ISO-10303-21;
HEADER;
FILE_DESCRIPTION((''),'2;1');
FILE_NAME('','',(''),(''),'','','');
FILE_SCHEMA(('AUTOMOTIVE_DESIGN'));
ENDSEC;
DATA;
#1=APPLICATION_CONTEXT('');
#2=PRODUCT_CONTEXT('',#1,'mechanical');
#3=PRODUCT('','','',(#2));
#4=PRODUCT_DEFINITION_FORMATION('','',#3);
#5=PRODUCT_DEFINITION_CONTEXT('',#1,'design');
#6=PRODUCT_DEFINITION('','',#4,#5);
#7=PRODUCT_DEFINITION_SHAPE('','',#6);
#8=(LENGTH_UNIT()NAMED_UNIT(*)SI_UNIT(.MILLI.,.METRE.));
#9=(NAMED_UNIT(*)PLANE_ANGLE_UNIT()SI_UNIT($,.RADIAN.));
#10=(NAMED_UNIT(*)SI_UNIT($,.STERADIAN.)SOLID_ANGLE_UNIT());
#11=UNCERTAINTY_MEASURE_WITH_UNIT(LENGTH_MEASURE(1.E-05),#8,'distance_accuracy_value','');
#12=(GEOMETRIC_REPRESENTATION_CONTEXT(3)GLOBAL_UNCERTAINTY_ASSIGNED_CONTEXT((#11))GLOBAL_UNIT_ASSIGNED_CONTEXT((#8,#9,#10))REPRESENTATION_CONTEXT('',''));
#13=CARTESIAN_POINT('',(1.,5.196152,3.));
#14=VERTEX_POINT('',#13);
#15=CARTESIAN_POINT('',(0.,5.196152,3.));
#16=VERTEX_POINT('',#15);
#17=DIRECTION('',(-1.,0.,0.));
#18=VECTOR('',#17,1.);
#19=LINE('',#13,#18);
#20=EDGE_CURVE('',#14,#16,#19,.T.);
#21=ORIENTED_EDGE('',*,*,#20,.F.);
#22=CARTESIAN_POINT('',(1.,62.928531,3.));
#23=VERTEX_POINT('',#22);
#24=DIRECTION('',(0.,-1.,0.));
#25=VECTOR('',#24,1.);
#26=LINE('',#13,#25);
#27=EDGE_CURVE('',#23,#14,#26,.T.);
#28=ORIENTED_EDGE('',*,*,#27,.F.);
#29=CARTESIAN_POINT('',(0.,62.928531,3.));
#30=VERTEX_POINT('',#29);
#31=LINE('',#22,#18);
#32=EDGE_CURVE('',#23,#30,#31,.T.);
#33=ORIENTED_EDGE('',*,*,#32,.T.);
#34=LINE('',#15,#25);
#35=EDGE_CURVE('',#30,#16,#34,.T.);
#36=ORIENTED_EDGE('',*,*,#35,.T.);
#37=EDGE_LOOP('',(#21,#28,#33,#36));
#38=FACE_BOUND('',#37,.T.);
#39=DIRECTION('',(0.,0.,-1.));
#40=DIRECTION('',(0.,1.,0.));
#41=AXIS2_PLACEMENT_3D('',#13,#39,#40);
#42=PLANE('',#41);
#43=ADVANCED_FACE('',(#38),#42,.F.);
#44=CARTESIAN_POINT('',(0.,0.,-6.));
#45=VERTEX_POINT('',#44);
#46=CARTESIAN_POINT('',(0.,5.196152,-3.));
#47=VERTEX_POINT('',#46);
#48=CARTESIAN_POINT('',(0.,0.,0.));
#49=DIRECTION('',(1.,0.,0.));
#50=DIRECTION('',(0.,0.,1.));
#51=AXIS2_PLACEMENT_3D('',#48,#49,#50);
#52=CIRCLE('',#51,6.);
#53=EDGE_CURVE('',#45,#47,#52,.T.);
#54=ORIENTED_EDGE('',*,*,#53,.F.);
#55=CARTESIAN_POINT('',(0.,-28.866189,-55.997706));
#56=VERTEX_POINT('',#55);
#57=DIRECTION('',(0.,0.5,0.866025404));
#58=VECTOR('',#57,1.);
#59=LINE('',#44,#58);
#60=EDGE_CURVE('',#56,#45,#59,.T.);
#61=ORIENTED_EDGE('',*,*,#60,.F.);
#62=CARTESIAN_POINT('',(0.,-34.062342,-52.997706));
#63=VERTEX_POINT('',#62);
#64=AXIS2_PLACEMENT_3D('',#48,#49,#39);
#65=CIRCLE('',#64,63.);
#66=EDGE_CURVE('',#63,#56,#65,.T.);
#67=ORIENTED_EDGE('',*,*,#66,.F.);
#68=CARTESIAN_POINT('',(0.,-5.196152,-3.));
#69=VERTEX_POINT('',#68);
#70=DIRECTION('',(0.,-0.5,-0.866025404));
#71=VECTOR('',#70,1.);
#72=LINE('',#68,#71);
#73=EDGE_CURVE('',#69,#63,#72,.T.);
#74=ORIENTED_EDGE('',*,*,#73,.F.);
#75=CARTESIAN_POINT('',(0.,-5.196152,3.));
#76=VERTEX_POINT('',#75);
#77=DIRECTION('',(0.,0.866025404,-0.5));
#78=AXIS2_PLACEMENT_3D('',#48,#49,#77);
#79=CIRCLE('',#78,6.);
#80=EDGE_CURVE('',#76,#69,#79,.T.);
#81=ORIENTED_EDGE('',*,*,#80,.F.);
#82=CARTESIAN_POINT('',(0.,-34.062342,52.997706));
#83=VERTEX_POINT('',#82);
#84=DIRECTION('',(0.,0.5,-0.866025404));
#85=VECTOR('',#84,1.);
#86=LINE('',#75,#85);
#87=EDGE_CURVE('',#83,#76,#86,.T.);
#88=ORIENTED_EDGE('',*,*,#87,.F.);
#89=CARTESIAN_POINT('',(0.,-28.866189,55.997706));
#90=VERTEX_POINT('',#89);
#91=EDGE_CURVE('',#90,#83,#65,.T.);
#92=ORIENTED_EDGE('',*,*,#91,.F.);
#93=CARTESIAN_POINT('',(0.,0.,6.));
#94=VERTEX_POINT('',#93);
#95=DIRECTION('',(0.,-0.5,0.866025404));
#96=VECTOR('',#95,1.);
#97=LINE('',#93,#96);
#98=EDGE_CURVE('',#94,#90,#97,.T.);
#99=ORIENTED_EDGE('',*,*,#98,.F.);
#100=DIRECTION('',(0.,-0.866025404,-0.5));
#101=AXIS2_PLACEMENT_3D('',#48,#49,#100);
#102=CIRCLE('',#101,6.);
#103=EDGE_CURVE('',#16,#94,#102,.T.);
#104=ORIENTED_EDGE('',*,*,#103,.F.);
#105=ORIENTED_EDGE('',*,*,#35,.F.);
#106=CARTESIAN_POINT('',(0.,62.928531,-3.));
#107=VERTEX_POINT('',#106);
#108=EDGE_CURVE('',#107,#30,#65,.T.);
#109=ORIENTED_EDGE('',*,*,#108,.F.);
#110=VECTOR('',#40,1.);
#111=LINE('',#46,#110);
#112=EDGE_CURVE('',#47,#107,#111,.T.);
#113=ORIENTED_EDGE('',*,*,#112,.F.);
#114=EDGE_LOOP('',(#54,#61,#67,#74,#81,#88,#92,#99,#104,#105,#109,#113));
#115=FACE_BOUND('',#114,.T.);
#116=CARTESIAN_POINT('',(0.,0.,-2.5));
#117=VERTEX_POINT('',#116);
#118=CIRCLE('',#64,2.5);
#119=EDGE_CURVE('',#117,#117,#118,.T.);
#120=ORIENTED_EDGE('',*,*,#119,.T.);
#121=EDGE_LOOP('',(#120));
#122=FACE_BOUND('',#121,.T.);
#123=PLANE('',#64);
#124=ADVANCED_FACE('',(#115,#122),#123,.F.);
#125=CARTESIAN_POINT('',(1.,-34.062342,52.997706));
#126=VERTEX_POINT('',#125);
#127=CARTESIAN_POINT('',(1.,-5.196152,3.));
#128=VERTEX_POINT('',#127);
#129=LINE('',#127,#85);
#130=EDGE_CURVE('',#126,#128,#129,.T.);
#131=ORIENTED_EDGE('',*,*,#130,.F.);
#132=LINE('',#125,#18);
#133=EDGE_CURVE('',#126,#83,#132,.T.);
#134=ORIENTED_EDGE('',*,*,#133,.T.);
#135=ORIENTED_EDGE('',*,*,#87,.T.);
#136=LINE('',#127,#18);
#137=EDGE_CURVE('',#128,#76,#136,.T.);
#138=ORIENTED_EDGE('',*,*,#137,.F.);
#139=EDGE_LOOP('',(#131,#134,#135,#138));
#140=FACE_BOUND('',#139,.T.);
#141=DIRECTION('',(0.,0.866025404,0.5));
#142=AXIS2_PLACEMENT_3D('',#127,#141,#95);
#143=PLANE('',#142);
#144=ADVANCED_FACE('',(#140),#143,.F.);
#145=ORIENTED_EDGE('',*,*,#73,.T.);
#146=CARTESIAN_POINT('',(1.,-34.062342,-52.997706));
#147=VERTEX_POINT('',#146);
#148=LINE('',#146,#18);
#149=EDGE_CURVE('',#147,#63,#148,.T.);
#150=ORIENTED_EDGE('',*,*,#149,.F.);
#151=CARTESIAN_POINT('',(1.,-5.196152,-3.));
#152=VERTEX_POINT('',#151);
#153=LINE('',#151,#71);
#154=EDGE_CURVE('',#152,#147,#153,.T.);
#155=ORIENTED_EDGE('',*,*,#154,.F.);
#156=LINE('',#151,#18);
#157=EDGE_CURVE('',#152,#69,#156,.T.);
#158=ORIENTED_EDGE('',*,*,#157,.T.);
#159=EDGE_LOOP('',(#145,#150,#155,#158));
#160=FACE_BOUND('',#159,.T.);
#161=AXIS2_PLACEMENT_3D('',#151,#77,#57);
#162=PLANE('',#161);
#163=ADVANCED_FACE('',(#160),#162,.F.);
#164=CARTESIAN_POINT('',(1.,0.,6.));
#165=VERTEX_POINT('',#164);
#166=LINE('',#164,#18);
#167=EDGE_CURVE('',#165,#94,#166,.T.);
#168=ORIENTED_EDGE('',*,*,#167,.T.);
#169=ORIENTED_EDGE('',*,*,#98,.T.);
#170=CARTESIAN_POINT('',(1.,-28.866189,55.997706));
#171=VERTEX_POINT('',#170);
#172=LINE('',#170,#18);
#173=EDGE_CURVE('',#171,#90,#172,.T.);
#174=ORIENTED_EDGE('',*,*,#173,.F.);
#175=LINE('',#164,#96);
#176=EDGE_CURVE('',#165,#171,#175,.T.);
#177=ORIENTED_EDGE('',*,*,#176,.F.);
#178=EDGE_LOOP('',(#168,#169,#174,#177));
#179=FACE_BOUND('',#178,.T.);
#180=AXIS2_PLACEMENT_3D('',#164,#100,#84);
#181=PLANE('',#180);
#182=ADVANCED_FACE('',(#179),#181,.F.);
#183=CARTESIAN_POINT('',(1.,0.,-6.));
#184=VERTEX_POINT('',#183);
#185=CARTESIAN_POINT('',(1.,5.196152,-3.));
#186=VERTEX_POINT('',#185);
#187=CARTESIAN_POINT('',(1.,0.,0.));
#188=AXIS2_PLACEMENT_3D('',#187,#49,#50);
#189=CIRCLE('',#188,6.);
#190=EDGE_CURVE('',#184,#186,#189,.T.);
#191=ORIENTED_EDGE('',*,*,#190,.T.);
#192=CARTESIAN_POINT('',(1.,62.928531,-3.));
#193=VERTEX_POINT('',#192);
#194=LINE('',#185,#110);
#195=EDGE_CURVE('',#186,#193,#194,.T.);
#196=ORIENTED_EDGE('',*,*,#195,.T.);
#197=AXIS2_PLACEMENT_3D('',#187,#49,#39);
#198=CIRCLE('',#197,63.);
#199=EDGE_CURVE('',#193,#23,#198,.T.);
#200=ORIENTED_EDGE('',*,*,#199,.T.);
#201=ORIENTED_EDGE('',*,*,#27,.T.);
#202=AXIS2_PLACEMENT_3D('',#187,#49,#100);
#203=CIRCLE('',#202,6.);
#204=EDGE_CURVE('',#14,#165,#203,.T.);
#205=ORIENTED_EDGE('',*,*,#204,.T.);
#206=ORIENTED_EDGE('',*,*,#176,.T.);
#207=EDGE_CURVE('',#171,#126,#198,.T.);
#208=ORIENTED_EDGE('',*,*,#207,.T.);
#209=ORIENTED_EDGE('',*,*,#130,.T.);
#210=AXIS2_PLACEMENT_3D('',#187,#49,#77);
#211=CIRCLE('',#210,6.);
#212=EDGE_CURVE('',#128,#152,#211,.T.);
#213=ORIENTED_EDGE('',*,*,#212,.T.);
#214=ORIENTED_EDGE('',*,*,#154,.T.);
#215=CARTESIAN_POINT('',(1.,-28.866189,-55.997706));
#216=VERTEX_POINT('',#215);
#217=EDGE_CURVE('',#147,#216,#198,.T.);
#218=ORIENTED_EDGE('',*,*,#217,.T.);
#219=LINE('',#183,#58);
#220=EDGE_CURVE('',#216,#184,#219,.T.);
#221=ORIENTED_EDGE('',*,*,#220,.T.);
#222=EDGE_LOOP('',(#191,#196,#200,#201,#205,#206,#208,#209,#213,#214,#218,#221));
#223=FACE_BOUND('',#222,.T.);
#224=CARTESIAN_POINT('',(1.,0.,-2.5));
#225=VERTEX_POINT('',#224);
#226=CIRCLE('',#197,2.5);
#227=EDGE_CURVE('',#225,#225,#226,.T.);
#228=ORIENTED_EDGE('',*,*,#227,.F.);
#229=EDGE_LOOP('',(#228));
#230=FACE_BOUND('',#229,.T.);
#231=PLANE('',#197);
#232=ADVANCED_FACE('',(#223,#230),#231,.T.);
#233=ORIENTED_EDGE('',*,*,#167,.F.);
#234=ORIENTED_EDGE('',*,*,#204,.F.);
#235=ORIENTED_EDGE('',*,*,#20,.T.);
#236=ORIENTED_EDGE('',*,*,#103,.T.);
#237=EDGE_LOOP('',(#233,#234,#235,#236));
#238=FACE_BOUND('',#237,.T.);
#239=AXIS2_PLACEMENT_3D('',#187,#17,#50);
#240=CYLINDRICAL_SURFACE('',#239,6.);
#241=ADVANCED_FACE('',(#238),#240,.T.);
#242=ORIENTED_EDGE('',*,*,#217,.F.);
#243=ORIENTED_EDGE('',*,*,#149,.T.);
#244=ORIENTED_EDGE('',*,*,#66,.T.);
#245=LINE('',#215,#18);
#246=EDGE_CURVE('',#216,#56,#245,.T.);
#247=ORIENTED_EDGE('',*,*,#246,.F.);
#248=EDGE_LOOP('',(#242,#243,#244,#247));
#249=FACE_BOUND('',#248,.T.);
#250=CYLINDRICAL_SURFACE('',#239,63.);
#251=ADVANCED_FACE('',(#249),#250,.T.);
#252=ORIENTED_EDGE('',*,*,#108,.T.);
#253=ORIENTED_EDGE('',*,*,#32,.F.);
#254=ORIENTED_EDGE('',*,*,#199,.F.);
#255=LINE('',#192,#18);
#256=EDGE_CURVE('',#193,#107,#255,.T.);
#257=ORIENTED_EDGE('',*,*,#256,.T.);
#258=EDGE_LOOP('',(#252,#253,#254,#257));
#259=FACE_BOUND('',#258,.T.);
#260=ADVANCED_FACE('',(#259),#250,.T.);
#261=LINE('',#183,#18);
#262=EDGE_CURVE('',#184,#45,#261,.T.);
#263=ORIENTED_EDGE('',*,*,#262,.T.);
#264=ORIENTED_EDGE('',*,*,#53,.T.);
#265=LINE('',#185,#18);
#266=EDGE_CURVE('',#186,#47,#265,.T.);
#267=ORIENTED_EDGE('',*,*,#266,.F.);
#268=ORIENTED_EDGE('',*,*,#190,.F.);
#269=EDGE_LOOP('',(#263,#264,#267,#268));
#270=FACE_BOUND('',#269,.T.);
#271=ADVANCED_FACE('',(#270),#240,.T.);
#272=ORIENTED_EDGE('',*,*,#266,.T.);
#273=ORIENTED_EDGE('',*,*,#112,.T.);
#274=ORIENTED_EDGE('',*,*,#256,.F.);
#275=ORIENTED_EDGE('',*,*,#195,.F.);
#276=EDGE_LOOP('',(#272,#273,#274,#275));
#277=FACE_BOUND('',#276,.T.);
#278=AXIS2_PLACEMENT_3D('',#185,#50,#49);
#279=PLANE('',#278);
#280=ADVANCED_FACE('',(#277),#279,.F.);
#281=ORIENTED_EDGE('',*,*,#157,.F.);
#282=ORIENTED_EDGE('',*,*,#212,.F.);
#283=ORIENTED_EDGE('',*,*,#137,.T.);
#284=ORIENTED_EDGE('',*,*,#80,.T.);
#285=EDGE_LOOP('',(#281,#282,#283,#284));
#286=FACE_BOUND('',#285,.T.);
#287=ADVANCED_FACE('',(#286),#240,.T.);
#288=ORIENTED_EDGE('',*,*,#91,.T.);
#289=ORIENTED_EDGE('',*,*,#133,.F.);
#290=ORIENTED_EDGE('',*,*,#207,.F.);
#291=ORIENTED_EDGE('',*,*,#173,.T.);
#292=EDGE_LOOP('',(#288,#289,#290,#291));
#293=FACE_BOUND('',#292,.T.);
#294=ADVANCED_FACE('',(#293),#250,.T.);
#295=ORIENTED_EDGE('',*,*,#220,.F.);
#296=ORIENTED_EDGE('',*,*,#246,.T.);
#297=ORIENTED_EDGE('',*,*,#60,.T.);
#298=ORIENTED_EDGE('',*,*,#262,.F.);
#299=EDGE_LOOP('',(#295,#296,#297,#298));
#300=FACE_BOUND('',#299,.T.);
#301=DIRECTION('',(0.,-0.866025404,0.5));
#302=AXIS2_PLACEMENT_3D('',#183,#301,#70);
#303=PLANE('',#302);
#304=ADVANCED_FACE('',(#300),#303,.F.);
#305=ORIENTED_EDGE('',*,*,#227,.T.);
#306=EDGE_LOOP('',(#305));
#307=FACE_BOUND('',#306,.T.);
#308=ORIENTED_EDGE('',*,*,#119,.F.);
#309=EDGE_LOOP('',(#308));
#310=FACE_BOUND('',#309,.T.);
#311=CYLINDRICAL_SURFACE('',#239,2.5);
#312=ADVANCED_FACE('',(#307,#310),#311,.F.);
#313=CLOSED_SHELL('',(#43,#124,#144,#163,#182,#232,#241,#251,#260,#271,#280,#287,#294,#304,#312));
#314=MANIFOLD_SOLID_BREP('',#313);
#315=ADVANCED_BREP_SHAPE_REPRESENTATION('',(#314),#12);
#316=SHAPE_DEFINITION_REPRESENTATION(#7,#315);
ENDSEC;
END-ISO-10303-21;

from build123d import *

# Parameters (mm, degrees)
SKETCH_1_R               = 63
SKETCH_1_R_2             = 2.5
EXTRUDE_1_DEPTH          = 1
CUT_EXTRUDE_1_DEPTH      = 1
PATTERN_CIRCULAR_1_COUNT = 3


with BuildPart() as part:
    # 草图1 → 凸台-拉伸1 (new body)
    with BuildSketch(Plane(origin=(0, 0, 0), x_dir=(0, 0, -1), z_dir=(1, 0, 0))):
        Circle(SKETCH_1_R)
        Circle(SKETCH_1_R_2, mode=Mode.SUBTRACT)
    extrude(amount=EXTRUDE_1_DEPTH)

    # 草图2 → 切除-拉伸1 (cut)
    with BuildSketch(Plane.ZY):
        with BuildLine():
            Line((-3, 5.196152423), (-3, 62.92853089))
            ThreePointArc((-3, 62.92853089), (-54.559600438, 31.5), (-55.997706374, -28.866189234))
            Line((-55.997706374, -28.866189234), (-6, 0))
            ThreePointArc((-6, 0), (-5.196152423, 3), (-3, 5.196152423))
        make_face()
    cut_extrude_1 = extrude(amount=-CUT_EXTRUDE_1_DEPTH, mode=Mode.SUBTRACT)

    # 阵列(圆周)1: 切除-拉伸1 ×3 about axis
    pattern_circular_1_axis = Axis((1.05, 0, 0), (-1, 0, 0))
    for i in range(1, PATTERN_CIRCULAR_1_COUNT):
        add(cut_extrude_1.rotate(pattern_circular_1_axis, i * 360 / PATTERN_CIRCULAR_1_COUNT), mode=Mode.SUBTRACT)


solid = part.part
